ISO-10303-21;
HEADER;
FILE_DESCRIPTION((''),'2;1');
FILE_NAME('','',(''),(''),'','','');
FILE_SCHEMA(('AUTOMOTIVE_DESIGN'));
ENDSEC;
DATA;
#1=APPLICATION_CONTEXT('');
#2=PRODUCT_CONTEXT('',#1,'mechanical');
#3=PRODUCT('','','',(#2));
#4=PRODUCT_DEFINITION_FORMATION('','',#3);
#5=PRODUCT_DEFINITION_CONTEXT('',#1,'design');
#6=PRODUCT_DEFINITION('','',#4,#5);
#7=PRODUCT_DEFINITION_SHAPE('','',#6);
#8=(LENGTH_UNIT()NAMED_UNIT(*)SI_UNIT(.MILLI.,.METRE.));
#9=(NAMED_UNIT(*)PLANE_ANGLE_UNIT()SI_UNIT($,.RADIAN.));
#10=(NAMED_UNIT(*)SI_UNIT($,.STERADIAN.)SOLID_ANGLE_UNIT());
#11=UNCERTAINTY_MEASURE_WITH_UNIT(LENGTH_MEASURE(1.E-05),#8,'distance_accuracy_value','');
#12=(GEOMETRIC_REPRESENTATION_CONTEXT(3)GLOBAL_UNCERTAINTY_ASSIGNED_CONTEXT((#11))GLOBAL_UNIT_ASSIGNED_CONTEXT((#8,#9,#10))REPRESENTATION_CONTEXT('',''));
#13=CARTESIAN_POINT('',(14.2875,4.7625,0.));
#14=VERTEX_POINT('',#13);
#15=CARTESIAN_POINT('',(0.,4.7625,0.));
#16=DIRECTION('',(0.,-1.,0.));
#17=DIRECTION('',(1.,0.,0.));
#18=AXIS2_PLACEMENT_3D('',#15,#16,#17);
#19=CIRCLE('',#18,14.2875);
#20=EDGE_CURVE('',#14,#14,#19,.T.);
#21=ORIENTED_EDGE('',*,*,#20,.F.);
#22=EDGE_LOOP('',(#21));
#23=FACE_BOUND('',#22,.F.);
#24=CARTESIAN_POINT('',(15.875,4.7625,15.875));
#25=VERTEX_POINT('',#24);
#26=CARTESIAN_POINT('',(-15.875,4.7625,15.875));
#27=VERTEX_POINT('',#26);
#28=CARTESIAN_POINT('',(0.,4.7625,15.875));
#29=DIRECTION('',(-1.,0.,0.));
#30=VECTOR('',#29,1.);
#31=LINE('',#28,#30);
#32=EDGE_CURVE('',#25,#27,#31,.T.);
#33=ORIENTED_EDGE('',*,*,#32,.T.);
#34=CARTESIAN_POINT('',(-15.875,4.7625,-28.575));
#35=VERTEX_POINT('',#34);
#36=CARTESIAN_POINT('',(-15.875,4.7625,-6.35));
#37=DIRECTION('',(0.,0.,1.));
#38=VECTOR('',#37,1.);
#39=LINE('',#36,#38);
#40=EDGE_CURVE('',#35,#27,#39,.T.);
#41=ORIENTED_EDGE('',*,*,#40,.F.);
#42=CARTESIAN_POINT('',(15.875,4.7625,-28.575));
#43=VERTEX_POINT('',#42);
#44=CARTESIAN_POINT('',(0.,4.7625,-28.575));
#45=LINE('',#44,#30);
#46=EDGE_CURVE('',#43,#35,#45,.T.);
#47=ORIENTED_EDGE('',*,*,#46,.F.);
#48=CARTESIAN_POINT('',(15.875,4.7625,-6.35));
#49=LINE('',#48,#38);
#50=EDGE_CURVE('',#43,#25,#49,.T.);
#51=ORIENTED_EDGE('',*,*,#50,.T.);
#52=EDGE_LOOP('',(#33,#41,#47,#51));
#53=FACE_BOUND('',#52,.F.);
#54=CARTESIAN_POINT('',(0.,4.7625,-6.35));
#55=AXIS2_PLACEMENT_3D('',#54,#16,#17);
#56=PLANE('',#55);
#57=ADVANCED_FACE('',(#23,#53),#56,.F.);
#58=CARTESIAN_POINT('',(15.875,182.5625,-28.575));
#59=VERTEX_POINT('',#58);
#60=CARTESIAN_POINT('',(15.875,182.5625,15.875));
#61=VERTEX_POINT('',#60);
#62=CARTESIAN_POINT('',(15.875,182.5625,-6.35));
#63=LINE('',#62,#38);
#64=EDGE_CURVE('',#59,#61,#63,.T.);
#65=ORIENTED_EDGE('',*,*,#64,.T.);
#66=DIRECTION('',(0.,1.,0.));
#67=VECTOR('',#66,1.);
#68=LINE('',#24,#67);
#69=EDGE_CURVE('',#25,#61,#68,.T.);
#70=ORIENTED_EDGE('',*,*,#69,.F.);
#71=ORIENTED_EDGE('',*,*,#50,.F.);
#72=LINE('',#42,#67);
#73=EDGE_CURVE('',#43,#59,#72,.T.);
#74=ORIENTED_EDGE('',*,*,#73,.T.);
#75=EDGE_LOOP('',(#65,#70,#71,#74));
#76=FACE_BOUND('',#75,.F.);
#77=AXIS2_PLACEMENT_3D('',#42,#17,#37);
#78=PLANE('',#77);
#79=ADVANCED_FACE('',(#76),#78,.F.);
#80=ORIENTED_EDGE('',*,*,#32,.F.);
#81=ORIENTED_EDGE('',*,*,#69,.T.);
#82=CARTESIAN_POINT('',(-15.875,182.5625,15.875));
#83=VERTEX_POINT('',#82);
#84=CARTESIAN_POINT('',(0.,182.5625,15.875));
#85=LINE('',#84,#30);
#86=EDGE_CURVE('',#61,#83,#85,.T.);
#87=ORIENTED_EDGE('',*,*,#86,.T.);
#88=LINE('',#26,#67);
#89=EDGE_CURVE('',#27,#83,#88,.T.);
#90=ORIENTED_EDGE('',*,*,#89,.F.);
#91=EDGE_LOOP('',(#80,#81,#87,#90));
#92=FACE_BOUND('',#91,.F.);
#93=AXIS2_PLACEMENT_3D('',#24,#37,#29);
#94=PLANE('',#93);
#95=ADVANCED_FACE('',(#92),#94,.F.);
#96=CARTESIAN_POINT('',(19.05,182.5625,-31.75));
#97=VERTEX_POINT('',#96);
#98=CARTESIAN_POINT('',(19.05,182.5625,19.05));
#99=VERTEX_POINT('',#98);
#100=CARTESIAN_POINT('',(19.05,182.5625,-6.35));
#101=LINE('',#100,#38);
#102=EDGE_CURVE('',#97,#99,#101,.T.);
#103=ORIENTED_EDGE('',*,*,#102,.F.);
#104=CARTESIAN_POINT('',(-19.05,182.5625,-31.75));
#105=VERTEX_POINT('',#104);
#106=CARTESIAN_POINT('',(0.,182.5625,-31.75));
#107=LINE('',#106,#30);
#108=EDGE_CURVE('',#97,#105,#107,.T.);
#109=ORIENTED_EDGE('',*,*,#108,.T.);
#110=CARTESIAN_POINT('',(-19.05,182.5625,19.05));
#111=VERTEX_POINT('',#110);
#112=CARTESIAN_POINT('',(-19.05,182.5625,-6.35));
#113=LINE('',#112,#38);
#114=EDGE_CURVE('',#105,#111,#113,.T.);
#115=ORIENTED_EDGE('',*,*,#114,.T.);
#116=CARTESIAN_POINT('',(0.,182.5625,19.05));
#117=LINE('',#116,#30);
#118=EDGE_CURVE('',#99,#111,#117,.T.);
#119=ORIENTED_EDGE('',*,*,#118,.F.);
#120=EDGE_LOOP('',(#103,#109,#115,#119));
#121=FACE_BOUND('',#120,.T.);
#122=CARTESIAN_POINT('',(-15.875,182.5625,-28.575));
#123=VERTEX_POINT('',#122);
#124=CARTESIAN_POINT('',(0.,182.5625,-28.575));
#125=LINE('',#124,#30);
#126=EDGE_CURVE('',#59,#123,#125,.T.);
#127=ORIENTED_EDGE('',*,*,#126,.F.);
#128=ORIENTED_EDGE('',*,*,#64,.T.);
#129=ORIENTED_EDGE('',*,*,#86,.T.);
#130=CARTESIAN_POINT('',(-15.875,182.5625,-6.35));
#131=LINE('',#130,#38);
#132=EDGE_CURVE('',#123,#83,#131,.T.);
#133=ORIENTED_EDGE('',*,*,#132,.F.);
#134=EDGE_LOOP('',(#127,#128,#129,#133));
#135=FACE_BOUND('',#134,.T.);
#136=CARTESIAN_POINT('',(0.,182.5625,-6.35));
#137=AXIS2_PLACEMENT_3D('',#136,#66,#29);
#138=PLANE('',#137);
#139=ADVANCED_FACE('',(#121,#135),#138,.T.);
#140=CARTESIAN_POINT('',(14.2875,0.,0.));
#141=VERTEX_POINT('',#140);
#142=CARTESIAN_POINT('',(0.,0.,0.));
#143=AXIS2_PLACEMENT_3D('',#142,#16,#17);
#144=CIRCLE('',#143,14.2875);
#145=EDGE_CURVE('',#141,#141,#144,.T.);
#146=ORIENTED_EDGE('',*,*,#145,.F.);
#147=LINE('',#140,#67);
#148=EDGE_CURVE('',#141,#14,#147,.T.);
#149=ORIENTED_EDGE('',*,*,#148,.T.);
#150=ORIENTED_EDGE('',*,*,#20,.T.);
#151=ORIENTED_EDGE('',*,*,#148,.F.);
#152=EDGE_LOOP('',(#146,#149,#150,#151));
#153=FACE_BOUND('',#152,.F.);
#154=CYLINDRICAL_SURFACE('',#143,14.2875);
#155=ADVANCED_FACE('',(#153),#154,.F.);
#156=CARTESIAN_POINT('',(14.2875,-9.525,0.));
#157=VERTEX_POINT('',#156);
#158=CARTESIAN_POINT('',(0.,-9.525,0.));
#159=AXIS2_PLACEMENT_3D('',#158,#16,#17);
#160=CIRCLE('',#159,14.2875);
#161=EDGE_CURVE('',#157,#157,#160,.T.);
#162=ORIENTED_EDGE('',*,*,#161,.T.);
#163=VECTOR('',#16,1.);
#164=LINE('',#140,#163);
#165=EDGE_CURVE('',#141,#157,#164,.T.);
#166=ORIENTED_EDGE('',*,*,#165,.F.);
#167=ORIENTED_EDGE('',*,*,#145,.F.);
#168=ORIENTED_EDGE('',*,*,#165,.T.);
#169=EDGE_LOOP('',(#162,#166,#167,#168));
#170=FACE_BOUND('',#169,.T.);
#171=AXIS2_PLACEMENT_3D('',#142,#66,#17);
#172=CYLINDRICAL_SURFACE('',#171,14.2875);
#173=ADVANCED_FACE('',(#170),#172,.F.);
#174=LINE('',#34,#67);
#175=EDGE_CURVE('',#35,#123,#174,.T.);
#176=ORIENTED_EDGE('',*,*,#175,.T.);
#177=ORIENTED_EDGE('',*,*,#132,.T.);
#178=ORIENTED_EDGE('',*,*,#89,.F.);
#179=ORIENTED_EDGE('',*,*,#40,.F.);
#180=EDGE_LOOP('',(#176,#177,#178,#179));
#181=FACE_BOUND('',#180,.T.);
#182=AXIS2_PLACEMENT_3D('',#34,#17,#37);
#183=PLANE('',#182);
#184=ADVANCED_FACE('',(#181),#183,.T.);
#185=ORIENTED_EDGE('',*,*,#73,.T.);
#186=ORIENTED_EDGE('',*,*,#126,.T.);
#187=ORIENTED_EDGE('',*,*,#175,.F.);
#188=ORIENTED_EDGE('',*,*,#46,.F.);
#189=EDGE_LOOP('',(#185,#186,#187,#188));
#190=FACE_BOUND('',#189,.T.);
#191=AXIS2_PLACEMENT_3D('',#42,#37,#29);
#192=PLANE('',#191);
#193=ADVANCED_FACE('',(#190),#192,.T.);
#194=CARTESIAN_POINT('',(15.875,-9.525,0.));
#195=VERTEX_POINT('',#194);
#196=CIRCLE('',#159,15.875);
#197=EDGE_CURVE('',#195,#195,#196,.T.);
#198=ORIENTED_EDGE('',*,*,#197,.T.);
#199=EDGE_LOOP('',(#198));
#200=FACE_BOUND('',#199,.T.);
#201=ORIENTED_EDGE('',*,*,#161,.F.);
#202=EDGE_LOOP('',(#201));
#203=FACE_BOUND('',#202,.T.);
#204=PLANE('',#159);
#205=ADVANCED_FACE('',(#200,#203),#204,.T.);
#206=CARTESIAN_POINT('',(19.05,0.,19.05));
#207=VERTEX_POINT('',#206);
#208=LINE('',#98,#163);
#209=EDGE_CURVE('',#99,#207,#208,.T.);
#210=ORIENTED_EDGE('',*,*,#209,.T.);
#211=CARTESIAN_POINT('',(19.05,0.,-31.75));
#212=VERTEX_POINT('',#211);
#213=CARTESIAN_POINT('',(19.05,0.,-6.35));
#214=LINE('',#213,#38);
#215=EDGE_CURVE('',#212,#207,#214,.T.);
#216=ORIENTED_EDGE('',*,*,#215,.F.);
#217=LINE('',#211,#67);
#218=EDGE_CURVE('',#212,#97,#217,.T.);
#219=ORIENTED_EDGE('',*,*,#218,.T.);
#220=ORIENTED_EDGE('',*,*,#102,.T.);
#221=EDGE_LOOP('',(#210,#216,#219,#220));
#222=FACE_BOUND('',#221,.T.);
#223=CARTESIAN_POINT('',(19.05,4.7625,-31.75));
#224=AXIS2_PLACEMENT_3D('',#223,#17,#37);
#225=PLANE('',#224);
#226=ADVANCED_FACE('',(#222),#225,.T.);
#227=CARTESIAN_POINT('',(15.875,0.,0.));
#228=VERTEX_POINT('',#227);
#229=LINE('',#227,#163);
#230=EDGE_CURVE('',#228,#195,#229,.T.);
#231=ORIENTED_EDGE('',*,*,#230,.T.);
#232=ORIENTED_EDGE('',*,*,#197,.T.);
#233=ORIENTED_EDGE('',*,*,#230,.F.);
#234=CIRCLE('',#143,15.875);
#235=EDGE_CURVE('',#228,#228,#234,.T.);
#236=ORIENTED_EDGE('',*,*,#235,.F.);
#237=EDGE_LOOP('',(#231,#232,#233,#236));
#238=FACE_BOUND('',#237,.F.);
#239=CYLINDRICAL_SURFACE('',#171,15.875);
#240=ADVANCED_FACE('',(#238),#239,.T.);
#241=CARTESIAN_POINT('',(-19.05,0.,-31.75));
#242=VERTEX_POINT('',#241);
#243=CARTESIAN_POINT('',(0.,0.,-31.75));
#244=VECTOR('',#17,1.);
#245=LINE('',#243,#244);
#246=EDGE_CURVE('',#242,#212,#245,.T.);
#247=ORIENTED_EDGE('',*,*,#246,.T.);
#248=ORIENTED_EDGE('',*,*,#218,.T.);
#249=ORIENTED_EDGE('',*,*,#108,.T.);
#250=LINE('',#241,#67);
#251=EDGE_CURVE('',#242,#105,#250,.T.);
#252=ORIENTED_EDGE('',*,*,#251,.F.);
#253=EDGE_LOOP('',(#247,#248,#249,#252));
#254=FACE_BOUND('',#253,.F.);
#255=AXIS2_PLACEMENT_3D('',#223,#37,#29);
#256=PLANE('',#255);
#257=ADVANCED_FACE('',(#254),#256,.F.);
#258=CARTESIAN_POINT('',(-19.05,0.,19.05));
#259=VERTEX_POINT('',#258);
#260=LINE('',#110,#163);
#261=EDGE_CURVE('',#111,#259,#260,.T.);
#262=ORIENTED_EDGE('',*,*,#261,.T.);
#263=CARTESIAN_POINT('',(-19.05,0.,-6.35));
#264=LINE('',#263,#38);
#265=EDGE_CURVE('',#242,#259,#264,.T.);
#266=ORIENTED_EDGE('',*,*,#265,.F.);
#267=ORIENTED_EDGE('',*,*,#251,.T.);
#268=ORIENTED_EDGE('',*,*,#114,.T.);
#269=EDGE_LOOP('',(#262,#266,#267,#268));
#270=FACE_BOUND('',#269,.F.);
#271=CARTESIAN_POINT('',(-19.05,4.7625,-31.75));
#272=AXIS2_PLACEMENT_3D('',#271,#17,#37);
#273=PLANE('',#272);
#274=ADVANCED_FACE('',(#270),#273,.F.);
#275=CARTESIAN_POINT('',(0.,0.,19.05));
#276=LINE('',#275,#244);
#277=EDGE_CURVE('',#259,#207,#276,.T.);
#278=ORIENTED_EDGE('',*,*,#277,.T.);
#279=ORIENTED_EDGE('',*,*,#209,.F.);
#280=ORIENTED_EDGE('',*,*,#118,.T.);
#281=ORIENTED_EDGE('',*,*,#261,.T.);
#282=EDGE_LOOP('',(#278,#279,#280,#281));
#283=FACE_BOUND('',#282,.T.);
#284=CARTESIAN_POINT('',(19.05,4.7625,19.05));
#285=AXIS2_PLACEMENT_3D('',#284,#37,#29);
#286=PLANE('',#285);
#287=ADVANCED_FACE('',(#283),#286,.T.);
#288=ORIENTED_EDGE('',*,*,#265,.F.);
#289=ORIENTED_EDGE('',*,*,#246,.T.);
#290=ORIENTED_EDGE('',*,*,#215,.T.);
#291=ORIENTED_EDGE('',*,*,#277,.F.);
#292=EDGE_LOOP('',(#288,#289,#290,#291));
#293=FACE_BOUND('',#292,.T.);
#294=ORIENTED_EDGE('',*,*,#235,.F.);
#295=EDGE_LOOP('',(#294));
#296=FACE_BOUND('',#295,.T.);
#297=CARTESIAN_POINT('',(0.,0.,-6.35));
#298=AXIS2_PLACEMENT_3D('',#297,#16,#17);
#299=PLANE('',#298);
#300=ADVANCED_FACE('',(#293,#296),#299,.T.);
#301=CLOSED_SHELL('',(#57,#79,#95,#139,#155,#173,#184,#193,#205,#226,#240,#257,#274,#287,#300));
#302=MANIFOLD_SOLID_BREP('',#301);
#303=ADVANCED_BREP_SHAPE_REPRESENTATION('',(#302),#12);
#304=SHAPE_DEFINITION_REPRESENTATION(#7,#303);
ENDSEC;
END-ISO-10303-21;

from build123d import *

# Parameters (mm, degrees)
F0_R     = 15.875
F0_R_2   = 14.2875
F1_DEPTH = 9.525
F2_W     = 38.1
F2_H     = 50.8
F2_R     = 14.2875
F3_DEPTH = 4.7625
F4_W     = 38.1
F4_H     = 50.8
F4_W_2   = 31.75
F4_H_2   = 44.45
F5_DEPTH = 177.8


with BuildPart() as f1:
    # F0 (on Front) → F1 (new body)
    with BuildSketch(Plane.XZ):
        Circle(F0_R)
        Circle(F0_R_2, mode=Mode.SUBTRACT)
    extrude(amount=F1_DEPTH)

    # F2 (on Front) → F3 (join)
    with BuildSketch(Plane.XZ):
        with Locations((0, -6.35)):
            Rectangle(F2_W, F2_H)
        Circle(F2_R, mode=Mode.SUBTRACT)
    extrude(amount=-F3_DEPTH)

    # F4 (on face) → F5 (join)
    with BuildSketch(Plane(origin=(0, 4.7625, 0), x_dir=(-1, 0, 0), z_dir=(0, 1, 0))):
        with Locations((0, -6.35)):
            Rectangle(F4_W, F4_H)
        with Locations((0, -6.35)):
            Rectangle(F4_W_2, F4_H_2, mode=Mode.SUBTRACT)
    extrude(amount=F5_DEPTH)


solid = f1.part
